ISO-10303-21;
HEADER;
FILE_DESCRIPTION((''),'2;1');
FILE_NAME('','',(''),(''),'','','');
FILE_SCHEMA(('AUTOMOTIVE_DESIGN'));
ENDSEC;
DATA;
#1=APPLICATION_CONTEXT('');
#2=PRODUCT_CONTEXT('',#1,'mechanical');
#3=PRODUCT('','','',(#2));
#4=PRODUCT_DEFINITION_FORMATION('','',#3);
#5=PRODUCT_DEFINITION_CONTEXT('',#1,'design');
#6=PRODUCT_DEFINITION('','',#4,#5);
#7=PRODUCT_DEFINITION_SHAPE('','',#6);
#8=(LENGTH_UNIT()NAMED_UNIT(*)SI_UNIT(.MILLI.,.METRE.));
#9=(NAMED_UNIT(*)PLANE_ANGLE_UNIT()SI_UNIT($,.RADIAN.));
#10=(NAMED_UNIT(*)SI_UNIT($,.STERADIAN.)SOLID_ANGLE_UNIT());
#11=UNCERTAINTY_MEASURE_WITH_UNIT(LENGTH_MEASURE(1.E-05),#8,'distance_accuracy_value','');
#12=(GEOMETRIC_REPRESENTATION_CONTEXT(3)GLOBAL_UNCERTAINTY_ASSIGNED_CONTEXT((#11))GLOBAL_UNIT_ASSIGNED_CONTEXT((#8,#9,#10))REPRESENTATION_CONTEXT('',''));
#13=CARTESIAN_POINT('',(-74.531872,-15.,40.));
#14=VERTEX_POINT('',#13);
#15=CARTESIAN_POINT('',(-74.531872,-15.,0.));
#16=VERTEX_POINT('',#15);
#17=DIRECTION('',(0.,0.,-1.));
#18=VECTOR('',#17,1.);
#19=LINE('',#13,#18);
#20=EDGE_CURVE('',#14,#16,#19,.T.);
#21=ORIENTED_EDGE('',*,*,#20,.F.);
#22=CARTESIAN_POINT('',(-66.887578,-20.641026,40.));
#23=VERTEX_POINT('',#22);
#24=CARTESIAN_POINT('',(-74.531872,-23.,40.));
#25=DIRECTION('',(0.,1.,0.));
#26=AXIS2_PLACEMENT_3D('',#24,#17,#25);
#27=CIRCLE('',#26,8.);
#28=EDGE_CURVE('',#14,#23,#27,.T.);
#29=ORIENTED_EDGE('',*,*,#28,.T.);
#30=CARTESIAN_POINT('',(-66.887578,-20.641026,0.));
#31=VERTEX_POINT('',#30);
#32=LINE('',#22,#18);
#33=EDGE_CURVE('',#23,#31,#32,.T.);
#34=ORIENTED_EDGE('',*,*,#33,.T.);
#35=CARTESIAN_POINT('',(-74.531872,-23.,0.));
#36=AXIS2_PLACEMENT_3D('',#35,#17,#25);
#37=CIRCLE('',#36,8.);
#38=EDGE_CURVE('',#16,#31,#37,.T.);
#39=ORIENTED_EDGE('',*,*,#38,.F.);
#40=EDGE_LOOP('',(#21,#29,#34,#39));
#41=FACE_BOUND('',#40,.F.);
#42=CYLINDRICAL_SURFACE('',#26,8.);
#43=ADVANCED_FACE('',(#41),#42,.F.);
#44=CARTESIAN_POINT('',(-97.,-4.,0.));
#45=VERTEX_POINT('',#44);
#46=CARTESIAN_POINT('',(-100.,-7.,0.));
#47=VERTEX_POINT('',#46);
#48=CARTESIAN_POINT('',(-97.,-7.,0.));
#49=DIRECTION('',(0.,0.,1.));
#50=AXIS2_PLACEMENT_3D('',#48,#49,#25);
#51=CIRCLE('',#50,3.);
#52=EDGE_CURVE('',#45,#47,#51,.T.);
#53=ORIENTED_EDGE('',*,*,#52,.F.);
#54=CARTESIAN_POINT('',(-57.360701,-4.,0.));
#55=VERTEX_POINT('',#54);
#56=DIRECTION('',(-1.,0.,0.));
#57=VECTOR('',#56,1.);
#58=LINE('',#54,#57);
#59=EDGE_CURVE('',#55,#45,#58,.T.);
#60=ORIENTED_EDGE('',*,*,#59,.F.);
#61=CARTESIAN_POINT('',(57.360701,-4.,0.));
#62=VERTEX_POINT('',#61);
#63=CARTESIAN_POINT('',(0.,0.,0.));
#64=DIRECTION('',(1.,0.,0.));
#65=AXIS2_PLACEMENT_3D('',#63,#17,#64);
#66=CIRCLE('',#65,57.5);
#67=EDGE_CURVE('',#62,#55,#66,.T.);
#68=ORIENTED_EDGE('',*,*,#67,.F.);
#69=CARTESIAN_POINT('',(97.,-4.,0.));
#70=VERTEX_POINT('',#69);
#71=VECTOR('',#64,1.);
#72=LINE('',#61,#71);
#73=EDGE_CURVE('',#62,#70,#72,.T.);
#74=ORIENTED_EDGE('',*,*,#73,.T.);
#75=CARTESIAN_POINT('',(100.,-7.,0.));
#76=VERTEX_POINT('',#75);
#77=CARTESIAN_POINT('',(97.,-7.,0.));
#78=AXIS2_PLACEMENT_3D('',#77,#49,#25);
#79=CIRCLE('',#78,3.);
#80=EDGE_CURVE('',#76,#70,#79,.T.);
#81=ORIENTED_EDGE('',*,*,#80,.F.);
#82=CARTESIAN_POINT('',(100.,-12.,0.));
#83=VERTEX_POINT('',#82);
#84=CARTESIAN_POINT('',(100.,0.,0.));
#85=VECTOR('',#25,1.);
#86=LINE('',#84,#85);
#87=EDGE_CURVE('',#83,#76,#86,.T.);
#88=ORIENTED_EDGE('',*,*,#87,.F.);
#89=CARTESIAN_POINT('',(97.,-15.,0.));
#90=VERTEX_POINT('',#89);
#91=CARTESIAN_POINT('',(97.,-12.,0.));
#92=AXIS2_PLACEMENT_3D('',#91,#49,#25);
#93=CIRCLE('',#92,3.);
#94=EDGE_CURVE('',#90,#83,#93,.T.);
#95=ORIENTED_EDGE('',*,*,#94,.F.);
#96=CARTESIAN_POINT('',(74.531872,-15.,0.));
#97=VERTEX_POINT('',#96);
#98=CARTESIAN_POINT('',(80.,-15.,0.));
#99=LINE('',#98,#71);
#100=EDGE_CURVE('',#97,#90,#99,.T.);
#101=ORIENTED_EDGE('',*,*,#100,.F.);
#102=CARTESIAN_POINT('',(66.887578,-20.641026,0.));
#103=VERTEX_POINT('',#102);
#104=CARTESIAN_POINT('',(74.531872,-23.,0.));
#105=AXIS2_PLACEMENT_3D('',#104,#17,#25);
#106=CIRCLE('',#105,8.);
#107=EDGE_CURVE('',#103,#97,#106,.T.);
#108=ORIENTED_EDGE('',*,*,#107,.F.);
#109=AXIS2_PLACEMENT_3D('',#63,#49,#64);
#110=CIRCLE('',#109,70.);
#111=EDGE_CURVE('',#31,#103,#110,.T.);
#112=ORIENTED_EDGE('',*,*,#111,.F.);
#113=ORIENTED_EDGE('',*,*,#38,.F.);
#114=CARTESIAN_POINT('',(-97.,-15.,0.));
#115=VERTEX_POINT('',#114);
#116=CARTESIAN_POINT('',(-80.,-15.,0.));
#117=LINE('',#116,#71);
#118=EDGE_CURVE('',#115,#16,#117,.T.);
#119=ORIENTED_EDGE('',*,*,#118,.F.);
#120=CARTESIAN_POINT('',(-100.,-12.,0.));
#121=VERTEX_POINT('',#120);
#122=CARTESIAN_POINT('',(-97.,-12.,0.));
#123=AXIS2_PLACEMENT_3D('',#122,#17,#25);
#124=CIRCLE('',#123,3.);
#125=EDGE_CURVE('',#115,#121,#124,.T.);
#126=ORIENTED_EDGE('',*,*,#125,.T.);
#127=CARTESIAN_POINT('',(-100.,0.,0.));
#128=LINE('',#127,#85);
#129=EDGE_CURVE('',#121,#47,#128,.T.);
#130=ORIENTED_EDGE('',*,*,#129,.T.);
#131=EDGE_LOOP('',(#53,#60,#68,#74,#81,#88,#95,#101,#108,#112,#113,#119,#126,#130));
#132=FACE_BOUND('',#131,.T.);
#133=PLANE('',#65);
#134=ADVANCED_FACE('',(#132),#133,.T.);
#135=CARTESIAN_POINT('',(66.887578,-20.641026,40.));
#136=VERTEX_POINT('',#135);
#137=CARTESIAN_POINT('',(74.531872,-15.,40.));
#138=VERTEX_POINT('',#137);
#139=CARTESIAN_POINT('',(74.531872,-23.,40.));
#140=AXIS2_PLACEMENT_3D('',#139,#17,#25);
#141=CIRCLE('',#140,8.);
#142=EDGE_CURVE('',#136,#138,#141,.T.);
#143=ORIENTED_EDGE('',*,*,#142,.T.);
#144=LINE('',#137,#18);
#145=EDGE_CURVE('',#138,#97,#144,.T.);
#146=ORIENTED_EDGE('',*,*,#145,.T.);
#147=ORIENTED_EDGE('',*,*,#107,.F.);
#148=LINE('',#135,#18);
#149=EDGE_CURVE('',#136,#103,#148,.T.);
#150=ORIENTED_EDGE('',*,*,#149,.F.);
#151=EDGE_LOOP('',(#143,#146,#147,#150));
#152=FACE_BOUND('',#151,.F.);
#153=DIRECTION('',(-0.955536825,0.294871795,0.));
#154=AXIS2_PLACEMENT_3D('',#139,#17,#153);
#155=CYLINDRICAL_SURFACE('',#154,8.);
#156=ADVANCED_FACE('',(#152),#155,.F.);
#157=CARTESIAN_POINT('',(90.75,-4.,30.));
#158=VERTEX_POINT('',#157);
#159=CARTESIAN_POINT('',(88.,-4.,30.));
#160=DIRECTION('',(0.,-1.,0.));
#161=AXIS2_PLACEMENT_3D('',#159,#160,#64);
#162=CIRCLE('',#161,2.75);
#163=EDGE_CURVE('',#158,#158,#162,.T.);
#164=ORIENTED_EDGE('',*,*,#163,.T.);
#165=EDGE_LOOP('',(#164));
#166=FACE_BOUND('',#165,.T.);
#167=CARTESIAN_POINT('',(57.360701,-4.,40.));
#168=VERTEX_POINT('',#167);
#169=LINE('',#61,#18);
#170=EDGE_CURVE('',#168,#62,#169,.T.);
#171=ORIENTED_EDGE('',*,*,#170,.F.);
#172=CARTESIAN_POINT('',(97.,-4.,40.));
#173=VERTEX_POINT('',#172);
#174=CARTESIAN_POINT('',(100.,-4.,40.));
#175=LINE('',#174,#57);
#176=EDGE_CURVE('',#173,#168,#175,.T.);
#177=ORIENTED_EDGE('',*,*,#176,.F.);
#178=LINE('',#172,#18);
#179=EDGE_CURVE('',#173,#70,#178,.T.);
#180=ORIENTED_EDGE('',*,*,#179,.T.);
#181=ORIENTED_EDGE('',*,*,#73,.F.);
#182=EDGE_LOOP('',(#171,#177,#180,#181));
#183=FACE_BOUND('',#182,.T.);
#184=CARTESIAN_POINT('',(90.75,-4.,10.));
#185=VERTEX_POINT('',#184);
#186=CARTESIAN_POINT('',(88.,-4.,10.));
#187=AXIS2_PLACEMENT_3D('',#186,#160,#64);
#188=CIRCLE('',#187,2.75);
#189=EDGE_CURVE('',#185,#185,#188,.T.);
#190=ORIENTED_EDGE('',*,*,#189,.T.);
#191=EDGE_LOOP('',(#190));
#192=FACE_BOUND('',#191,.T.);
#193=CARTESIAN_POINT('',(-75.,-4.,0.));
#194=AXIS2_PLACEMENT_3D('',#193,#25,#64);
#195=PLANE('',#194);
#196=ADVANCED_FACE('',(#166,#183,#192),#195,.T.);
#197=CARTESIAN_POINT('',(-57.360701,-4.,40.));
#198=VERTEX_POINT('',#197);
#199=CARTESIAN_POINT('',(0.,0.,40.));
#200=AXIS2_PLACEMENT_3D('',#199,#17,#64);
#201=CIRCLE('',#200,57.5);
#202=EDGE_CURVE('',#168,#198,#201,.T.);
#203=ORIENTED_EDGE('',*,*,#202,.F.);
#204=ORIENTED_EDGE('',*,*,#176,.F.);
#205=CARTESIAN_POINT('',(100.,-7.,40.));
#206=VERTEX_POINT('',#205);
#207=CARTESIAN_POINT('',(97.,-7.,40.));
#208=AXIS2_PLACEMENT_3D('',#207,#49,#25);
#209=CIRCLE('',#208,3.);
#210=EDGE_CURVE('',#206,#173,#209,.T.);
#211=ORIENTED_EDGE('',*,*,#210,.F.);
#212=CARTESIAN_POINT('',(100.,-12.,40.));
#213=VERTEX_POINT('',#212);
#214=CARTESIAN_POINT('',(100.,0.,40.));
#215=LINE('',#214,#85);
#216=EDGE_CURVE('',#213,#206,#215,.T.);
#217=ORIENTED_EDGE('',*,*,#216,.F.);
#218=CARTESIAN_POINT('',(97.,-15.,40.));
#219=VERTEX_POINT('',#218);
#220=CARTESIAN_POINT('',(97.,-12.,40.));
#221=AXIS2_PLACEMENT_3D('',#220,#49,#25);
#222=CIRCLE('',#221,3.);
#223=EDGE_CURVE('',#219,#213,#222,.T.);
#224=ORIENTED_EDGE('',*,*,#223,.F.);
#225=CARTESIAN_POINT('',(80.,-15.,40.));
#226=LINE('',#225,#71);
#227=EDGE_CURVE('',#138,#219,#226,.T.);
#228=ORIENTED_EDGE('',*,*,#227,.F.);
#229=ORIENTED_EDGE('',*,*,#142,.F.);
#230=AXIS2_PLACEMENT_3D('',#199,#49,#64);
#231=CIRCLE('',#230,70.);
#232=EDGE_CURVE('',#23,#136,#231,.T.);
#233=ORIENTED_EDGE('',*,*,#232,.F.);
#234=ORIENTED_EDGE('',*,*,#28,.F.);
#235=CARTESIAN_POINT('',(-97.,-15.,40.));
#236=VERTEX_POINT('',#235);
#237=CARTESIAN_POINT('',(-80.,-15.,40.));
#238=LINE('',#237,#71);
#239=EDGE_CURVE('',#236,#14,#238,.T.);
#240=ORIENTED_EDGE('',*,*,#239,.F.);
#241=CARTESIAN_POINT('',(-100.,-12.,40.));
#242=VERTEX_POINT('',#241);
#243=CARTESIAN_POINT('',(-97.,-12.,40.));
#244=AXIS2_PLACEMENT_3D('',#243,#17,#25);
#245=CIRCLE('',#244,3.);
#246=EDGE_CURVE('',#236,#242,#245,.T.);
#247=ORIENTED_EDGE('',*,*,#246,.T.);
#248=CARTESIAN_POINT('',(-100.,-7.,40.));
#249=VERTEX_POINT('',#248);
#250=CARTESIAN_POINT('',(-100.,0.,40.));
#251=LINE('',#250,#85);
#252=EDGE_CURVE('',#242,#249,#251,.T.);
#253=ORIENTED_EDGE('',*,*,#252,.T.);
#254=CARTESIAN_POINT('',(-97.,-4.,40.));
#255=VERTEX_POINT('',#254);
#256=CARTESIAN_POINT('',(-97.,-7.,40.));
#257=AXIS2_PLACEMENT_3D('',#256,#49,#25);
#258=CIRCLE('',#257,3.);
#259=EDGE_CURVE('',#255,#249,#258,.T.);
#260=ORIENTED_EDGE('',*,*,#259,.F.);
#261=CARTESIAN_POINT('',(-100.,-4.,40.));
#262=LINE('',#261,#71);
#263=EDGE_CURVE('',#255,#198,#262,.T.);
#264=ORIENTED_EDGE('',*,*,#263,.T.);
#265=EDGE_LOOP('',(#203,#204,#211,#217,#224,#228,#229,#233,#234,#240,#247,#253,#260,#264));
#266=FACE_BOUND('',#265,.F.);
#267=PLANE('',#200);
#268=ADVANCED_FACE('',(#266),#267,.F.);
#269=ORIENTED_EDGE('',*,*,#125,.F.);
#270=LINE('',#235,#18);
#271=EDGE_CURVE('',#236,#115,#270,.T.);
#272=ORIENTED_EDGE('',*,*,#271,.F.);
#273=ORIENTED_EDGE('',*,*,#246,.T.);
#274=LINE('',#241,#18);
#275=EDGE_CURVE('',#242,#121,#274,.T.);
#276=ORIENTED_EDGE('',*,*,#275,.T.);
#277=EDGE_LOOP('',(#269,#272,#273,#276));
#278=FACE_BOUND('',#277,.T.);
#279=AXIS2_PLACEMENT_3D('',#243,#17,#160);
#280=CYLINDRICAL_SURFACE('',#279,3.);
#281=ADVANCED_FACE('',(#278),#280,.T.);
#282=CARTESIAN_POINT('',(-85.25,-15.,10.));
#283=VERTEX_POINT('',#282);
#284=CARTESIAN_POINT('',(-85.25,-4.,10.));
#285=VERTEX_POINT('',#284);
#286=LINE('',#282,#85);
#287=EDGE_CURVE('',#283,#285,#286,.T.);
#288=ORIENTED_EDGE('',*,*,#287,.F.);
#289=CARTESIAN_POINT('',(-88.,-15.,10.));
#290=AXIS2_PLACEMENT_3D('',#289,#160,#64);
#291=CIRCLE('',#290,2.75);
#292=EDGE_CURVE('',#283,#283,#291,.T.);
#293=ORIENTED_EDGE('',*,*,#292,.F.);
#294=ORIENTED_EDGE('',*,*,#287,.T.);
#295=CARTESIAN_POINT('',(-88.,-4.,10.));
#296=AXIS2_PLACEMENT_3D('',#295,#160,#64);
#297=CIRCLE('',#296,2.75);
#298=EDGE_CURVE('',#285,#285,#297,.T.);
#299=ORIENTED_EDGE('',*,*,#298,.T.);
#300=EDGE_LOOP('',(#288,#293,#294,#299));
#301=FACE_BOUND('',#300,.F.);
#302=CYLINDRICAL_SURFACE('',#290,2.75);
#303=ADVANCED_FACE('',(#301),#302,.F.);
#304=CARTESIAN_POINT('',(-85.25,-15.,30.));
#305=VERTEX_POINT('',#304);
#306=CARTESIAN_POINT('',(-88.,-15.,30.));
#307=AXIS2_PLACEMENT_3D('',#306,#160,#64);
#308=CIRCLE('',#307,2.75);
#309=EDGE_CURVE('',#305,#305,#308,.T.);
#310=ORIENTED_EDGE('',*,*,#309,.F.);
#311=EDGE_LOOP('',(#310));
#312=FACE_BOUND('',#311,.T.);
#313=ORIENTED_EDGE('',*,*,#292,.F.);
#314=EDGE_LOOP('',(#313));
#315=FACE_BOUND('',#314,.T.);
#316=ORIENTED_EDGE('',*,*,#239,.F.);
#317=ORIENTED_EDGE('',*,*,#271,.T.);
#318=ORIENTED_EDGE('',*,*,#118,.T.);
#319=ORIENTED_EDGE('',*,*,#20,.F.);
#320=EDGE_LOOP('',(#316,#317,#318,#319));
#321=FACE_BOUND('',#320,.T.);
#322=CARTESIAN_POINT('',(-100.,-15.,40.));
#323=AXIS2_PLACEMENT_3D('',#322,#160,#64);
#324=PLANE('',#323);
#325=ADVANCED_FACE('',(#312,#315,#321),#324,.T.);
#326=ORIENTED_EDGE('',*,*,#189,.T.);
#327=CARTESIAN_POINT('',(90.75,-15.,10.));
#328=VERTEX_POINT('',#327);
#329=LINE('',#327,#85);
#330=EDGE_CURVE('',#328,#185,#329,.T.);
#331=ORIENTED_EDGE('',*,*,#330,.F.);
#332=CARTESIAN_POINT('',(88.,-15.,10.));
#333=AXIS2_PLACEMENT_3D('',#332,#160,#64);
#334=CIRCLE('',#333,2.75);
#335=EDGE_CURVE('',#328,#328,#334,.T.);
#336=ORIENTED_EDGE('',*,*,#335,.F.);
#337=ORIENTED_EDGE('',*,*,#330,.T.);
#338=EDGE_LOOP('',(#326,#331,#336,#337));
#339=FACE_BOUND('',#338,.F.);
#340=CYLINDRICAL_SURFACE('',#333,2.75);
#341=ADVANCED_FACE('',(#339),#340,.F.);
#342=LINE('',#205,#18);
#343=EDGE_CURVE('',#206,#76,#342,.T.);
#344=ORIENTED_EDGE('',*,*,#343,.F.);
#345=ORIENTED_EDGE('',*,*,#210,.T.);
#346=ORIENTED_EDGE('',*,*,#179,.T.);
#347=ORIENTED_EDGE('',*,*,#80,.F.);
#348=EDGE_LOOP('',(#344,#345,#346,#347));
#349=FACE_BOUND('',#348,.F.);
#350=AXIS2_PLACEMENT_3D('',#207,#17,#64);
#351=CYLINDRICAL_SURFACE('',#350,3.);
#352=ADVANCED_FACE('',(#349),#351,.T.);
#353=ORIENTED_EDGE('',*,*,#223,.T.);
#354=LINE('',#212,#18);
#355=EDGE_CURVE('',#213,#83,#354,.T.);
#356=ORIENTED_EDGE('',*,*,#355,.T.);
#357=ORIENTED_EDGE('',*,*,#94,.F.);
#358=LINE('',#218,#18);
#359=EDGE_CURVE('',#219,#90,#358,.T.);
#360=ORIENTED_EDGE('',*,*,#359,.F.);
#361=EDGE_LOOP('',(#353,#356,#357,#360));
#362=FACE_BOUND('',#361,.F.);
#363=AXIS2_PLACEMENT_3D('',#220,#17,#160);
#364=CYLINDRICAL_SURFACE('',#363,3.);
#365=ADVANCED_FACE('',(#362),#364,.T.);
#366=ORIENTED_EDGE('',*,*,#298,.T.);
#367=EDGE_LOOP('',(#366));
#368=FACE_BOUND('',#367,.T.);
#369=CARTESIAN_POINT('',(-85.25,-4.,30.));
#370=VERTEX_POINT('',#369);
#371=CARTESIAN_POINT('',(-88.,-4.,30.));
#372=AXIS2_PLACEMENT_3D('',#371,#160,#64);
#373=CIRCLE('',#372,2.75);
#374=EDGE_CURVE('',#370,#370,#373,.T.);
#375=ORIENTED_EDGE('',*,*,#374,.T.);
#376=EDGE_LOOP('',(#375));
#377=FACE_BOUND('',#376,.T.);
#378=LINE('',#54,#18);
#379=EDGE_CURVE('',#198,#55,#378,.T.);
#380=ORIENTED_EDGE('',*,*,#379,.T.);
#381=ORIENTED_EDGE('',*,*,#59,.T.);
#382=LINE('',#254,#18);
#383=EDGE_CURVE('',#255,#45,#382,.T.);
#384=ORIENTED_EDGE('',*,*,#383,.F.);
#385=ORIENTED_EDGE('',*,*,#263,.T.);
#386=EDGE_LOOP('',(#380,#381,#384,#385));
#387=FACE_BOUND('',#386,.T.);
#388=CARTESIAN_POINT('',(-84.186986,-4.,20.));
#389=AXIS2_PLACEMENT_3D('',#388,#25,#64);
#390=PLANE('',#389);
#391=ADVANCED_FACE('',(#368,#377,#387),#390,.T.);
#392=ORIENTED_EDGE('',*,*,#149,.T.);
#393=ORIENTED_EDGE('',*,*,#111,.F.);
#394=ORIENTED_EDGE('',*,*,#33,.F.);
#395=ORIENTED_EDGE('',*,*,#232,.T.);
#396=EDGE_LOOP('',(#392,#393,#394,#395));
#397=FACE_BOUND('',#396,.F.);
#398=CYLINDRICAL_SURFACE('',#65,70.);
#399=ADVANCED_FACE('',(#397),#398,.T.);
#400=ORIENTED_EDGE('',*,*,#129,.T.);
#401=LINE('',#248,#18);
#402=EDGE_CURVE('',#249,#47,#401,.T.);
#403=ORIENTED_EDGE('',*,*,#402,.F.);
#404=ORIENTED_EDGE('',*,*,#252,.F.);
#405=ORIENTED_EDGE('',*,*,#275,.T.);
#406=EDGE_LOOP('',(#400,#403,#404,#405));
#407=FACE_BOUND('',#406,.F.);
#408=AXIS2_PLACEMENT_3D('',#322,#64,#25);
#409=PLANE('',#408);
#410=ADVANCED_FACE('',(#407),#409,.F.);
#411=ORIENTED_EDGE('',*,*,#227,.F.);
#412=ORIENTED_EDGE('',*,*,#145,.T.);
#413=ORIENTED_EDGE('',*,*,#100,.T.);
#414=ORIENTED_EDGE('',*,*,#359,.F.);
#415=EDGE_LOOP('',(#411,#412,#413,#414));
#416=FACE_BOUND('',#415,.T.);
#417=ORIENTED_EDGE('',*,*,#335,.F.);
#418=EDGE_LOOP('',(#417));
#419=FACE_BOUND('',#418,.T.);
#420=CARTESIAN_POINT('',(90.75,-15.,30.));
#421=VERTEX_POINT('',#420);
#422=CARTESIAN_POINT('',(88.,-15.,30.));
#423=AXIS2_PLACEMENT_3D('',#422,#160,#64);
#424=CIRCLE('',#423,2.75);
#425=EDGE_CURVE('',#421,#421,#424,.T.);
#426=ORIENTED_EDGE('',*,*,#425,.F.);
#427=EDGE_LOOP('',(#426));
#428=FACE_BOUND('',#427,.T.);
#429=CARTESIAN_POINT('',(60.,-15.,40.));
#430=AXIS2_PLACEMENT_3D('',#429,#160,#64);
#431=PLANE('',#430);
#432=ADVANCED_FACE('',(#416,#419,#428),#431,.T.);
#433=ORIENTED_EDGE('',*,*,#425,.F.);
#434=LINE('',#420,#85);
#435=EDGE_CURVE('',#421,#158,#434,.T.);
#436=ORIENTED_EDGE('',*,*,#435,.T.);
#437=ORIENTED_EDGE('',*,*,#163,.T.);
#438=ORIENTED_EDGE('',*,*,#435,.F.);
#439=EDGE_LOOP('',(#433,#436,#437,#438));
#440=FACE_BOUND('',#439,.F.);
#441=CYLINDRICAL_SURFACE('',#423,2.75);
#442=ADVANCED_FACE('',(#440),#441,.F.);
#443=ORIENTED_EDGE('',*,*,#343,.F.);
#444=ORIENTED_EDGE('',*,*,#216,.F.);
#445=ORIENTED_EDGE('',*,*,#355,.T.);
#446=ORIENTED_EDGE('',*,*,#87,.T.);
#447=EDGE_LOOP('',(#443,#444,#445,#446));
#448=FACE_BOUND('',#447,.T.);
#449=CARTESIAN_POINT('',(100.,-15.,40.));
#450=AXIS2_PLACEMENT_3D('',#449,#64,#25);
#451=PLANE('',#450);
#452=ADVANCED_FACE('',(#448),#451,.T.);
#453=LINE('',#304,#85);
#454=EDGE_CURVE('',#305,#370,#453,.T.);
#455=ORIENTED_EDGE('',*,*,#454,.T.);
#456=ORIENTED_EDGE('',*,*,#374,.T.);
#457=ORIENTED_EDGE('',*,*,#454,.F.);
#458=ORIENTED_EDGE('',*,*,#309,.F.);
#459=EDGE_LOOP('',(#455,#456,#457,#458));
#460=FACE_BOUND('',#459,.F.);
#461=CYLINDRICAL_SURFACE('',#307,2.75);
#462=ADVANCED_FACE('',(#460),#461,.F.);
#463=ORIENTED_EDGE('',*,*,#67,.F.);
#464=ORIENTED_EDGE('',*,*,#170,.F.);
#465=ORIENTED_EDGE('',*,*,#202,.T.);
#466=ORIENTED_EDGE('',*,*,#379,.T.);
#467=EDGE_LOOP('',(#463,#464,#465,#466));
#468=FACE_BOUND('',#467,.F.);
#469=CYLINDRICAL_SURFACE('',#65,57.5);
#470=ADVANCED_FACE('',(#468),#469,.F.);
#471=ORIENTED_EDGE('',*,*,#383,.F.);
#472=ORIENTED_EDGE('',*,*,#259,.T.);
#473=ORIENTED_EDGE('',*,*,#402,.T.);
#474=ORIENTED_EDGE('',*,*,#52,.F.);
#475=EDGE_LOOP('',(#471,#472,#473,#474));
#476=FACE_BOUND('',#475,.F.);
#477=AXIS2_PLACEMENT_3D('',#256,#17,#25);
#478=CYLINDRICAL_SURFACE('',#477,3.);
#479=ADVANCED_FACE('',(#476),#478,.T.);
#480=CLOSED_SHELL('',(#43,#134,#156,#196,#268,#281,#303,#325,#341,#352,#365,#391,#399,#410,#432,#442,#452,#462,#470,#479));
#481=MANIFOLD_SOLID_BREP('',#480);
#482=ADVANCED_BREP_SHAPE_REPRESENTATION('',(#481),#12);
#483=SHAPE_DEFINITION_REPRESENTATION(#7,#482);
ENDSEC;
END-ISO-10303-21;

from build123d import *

# Parameters (mm, degrees)
SKETCH_R           = 70
SKETCH_R_2         = 57.5
PAD_DEPTH          = 40
SKETCH001_W        = 40
SKETCH001_H        = 30
PAD001_DEPTH       = 40
PAD001_FACE1_W     = 31.626028
PAD001_FACE1_H     = 40
POCKET_DEPTH       = 10
POCKET_FACE3_W     = 31.626028
POCKET_FACE3_H     = 40
POCKET001_DEPTH    = 10
POCKET001_FACE6_W  = 31.626028
POCKET001_FACE6_H  = 40
POCKET002_DEPTH    = 9
POCKET002_FACE11_W = 31.626028
POCKET002_FACE11_H = 40
POCKET003_DEPTH    = 9
SKETCH002_R        = 70
PAD002_DEPTH       = 40
SKETCH003_R        = 57.5
POCKET004_DEPTH    = 522
SKETCH004_W        = 150
SKETCH004_H        = 100
POCKET005_DEPTH    = 40
FILLET_R           = 8
FILLET001_R        = 3
SKETCH005_R        = 2.75
POCKET006_DEPTH    = 20


with BuildPart() as part:
    # Sketch → Pad (new body)
    with BuildSketch(Plane.XY):
        Circle(SKETCH_R)
        Circle(SKETCH_R_2, mode=Mode.SUBTRACT)
    extrude(amount=PAD_DEPTH)

    # Sketch001 (on Face4 of Pad) → Pad001 (join)
    with BuildSketch(Plane.XY.offset(40)):
        with Locations((-80, 0)):
            Rectangle(SKETCH001_W, SKETCH001_H)
        with Locations((80, 0)):
            Rectangle(SKETCH001_W, SKETCH001_H)
    extrude(amount=-PAD001_DEPTH)

    # Pad001 Face1 → Pocket (cut)
    with BuildSketch(Plane(origin=(84.186986, 15, 20), x_dir=(1, 0, 0), z_dir=(0, 1, 0))):
        Rectangle(PAD001_FACE1_W, PAD001_FACE1_H)
    extrude(amount=-POCKET_DEPTH, mode=Mode.SUBTRACT)

    # Pocket Face3 → Pocket001 (cut)
    with BuildSketch(Plane(origin=(-84.186986, 15, 20), x_dir=(1, 0, 0), z_dir=(0, 1, 0))):
        Rectangle(POCKET_FACE3_W, POCKET_FACE3_H)
    extrude(amount=-POCKET001_DEPTH, mode=Mode.SUBTRACT)

    # Pocket001 Face6 → Pocket002 (cut)
    with BuildSketch(Plane(origin=(-84.186986, 5, 20), x_dir=(1, 0, 0), z_dir=(0, 1, 0))):
        Rectangle(POCKET001_FACE6_W, POCKET001_FACE6_H)
    extrude(amount=-POCKET002_DEPTH, mode=Mode.SUBTRACT)

    # Pocket002 Face11 → Pocket003 (cut)
    with BuildSketch(Plane(origin=(84.186986, 5, 20), x_dir=(1, 0, 0), z_dir=(0, 1, 0))):
        Rectangle(POCKET002_FACE11_W, POCKET002_FACE11_H)
    extrude(amount=-POCKET003_DEPTH, mode=Mode.SUBTRACT)

    # Sketch002 (on Face2 of Pocket003) → Pad002 (join)
    with BuildSketch(Plane(origin=(0, 0, 0), x_dir=(1, 0, 0), z_dir=(0, 0, -1))):
        Circle(SKETCH002_R)
    extrude(amount=-PAD002_DEPTH)

    # Sketch003 (on Face8 of Pad002) → Pocket004 (cut)
    with BuildSketch(Plane(origin=(0, 0, 0), x_dir=(1, 0, 0), z_dir=(0, 0, -1))):
        Circle(SKETCH003_R)
    extrude(amount=-POCKET004_DEPTH, mode=Mode.SUBTRACT)

    # Sketch004 (on Face5 of Pocket004) → Pocket005 (cut)
    with BuildSketch(Plane(origin=(0, 0, 0), x_dir=(1, 0, 0), z_dir=(0, 0, -1))):
        with Locations((0, -46)):
            Rectangle(SKETCH004_W, SKETCH004_H)
    extrude(amount=-POCKET005_DEPTH, mode=Mode.SUBTRACT)

    # Fillet
    fillet_edges = [part.edges().sort_by_distance(p)[0] for p in [
        (-68.373972, -15, 20),
        (68.373972, -15, 20),
    ]]
    fillet(fillet_edges, radius=FILLET_R)

    # Fillet001
    fillet001_edges = [part.edges().sort_by_distance(p)[0] for p in [
        (100, -15, 20),
        (100, -4, 20),
        (-100, -15, 20),
        (-100, -4, 20),
    ]]
    fillet(fillet001_edges, radius=FILLET001_R)

    # Sketch005 (on Face10 of Fillet001) → Pocket006 (cut)
    with BuildSketch(Plane.XZ.offset(15)):
        with Locations((-88, 30)):
            Circle(SKETCH005_R)
        with Locations((-88, 10)):
            Circle(SKETCH005_R)
        with Locations((88, 30)):
            Circle(SKETCH005_R)
        with Locations((88, 10)):
            Circle(SKETCH005_R)
    extrude(amount=-POCKET006_DEPTH, mode=Mode.SUBTRACT)


solid = part.part
